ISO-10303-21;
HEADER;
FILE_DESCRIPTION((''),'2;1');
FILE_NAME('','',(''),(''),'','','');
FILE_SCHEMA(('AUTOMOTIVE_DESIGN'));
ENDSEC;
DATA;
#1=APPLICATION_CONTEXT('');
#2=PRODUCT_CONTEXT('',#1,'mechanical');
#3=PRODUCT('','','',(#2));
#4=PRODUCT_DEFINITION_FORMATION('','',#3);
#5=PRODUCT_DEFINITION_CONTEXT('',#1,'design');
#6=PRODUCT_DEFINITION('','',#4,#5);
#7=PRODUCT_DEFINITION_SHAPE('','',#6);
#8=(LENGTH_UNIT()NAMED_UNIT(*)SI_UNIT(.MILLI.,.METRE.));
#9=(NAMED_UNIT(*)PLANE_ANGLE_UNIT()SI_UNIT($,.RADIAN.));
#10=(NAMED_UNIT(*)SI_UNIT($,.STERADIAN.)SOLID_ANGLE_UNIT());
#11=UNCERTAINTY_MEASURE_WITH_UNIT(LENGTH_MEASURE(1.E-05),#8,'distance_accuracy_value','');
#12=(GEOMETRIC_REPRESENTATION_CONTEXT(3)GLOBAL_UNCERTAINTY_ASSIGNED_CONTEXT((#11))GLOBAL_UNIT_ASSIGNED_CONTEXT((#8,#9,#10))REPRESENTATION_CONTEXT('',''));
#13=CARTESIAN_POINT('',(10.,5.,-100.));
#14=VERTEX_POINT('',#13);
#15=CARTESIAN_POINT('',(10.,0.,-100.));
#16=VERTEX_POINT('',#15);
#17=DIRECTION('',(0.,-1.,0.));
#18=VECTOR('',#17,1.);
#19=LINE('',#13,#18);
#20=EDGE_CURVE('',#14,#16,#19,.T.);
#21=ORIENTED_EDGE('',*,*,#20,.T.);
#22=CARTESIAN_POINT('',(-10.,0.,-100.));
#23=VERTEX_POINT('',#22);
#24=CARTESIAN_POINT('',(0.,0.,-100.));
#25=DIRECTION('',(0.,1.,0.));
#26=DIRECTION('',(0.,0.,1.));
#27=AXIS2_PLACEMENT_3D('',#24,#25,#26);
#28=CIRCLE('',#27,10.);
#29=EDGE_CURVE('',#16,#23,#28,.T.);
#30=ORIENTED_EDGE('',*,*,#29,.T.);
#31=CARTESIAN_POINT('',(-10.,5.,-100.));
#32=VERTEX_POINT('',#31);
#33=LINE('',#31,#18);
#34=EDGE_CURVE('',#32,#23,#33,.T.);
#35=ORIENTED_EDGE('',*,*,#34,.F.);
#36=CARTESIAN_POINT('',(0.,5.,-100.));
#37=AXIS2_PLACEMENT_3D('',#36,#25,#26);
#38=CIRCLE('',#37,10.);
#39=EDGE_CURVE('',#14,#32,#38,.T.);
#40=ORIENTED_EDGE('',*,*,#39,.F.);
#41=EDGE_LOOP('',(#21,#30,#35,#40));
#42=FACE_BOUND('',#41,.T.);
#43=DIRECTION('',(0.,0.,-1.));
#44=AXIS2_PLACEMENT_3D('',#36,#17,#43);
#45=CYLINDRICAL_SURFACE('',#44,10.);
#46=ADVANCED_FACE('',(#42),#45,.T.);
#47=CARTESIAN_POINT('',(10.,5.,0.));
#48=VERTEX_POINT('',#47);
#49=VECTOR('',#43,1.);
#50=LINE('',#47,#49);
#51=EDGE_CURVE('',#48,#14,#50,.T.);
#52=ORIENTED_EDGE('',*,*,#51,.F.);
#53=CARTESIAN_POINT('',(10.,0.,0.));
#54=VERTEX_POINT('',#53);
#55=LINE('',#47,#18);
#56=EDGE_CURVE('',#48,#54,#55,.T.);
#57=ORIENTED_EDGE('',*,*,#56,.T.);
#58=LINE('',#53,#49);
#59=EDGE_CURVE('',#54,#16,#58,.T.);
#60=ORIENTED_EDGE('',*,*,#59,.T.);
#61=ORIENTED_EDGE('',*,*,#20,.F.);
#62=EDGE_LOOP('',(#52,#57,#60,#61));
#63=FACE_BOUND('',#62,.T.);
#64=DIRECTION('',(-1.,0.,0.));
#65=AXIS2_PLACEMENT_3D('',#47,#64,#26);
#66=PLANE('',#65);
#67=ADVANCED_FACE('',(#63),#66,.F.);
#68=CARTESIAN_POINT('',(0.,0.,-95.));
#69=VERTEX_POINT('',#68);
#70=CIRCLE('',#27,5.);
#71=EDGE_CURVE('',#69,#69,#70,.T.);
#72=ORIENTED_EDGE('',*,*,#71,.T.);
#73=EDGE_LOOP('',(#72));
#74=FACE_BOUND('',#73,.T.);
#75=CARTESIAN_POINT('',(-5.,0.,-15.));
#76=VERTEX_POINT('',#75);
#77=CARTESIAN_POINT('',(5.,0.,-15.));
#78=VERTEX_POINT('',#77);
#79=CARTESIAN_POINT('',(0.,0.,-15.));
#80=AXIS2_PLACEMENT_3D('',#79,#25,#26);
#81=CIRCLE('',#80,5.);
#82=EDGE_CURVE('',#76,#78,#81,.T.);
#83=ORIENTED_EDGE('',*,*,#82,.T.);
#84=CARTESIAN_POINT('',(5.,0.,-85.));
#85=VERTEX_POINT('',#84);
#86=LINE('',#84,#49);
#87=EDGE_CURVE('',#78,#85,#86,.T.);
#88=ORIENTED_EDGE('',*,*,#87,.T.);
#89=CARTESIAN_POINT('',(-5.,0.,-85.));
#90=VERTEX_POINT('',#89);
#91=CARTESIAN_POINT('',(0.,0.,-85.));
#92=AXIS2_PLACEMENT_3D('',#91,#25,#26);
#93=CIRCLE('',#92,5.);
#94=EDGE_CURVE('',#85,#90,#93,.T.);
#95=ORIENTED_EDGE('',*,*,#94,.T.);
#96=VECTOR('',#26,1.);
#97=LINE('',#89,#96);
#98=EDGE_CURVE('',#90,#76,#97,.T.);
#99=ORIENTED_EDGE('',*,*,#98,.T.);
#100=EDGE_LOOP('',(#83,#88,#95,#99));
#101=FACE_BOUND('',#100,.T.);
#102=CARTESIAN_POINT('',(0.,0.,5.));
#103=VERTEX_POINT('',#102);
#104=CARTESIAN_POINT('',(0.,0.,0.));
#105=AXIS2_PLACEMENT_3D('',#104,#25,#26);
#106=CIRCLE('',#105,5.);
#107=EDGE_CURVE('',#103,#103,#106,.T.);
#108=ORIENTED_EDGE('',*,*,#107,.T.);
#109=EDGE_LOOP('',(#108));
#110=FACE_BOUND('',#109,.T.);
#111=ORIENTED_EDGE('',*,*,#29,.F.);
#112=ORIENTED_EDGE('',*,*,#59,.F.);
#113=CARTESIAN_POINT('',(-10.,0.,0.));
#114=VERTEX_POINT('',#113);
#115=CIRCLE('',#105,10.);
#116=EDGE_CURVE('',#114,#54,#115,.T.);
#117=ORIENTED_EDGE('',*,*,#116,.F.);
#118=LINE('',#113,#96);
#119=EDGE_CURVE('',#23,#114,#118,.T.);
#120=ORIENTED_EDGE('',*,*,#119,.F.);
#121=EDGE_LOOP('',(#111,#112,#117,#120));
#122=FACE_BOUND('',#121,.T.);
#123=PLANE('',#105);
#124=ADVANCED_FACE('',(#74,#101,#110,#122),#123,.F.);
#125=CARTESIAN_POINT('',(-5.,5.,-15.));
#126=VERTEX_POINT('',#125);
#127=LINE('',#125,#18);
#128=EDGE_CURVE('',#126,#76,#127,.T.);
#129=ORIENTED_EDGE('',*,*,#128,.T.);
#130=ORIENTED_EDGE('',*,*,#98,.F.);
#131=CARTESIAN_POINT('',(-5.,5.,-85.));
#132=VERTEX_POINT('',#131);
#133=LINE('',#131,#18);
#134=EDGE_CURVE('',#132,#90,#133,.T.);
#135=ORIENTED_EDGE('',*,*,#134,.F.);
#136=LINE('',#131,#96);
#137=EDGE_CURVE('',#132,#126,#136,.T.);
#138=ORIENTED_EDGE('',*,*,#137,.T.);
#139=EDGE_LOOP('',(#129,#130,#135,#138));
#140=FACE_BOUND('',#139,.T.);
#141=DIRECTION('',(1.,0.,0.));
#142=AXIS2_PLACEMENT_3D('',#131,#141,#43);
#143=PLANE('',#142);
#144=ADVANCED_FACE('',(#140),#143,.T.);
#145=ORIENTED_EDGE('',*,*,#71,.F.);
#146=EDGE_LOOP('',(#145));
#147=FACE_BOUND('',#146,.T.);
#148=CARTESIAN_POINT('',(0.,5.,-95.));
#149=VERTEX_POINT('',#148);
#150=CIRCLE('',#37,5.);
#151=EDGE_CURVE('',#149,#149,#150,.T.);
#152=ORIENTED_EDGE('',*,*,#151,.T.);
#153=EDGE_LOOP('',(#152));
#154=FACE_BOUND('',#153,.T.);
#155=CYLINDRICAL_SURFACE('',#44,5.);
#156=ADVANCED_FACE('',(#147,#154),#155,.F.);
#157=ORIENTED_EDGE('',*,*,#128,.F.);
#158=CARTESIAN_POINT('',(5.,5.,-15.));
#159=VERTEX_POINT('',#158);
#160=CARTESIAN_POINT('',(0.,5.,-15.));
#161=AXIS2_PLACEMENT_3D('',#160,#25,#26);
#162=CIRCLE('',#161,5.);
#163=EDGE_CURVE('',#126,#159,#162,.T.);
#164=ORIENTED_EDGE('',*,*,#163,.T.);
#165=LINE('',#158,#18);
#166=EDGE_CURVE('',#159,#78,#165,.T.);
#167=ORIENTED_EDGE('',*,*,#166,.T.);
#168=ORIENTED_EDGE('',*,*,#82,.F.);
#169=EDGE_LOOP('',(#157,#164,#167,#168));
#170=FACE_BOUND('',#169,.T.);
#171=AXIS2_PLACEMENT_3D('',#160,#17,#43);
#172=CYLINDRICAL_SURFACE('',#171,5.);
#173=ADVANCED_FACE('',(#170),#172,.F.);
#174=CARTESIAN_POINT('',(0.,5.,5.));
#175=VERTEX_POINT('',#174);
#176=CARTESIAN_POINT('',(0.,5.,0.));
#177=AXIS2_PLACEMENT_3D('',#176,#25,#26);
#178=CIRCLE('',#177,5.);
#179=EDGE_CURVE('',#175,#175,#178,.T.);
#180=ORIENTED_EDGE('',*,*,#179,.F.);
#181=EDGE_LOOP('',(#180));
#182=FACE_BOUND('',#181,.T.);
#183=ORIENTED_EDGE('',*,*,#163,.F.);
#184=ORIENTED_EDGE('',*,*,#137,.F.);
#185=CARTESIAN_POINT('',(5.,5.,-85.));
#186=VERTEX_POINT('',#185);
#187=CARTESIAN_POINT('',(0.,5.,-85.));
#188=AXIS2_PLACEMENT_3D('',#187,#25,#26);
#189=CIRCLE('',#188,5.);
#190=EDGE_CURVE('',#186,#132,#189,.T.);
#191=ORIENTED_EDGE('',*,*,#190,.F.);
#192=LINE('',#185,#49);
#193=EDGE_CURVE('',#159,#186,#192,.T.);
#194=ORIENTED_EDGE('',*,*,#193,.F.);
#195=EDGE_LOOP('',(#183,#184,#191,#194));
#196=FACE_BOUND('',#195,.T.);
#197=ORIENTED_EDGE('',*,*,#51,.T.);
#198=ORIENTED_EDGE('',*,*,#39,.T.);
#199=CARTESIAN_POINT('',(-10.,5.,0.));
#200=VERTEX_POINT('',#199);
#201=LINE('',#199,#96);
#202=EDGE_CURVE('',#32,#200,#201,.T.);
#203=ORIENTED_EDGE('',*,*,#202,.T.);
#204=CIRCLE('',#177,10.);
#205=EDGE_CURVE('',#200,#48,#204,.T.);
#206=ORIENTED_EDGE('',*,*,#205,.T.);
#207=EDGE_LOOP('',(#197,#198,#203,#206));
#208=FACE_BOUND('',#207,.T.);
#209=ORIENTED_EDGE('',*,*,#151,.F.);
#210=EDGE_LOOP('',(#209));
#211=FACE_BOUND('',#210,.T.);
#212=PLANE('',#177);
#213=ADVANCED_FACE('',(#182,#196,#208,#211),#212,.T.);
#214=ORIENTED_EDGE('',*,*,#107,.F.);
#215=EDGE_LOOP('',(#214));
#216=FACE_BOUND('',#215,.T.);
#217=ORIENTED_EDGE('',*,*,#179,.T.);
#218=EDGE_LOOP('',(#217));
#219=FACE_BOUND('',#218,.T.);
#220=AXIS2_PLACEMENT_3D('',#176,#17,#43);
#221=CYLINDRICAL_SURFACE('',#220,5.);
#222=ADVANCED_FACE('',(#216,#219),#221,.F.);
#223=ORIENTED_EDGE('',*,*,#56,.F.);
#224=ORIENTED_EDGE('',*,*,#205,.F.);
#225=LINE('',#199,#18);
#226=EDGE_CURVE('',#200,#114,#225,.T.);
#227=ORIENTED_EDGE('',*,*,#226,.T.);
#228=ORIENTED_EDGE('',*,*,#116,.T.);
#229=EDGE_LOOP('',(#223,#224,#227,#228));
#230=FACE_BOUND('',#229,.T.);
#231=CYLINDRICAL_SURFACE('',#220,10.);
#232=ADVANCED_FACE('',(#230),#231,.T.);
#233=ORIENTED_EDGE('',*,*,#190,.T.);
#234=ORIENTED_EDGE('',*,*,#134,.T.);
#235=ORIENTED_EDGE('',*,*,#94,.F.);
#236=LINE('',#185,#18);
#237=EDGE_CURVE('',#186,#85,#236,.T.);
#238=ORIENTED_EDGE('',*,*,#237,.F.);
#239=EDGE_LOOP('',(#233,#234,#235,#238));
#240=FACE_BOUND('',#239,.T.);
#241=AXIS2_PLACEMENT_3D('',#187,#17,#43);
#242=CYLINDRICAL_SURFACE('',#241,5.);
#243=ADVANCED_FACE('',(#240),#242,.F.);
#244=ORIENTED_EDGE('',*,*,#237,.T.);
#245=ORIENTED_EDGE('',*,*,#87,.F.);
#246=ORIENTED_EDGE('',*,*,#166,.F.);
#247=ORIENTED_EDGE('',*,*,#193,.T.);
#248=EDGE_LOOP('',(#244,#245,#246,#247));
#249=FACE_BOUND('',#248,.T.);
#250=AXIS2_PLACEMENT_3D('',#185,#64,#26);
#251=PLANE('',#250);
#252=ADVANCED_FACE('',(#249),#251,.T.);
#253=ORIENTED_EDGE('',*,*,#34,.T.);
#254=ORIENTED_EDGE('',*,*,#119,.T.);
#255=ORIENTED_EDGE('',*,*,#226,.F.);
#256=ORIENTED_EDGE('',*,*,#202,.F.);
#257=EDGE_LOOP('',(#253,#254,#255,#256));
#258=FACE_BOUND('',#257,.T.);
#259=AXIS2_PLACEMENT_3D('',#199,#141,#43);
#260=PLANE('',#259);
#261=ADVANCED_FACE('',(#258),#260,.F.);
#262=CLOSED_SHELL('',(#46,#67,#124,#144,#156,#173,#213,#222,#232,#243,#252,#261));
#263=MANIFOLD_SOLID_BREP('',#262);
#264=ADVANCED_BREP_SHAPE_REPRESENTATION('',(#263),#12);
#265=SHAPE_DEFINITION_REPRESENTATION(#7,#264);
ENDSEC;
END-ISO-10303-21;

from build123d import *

# Parameters (mm, degrees)
SKETCH1_R           = 5
BOSS_EXTRUDE1_DEPTH = 5


with BuildPart() as part:
    # Sketch1 → Boss-Extrude1 (new body)
    with BuildSketch(Plane(origin=(0, 0, 0), x_dir=(1, 0, 0), z_dir=(0, 1, 0))):
        with BuildLine():
            Line((-10, 0), (-10, 100))
            ThreePointArc((-10, 100), (0, 110), (10, 100))
            Line((10, 100), (10, 0))
            ThreePointArc((10, 0), (0, -10), (-10, 0))
        make_face()
        Circle(SKETCH1_R, mode=Mode.SUBTRACT)
        with Locations((0, 100)):
            Circle(SKETCH1_R, mode=Mode.SUBTRACT)
        with BuildLine():
            Line((5, 85), (5, 15))
            ThreePointArc((5, 15), (0, 10), (-5, 15))
            Line((-5, 15), (-5, 85))
            ThreePointArc((-5, 85), (0, 90), (5, 85))
        make_face(mode=Mode.SUBTRACT)
    extrude(amount=BOSS_EXTRUDE1_DEPTH)


solid = part.part
